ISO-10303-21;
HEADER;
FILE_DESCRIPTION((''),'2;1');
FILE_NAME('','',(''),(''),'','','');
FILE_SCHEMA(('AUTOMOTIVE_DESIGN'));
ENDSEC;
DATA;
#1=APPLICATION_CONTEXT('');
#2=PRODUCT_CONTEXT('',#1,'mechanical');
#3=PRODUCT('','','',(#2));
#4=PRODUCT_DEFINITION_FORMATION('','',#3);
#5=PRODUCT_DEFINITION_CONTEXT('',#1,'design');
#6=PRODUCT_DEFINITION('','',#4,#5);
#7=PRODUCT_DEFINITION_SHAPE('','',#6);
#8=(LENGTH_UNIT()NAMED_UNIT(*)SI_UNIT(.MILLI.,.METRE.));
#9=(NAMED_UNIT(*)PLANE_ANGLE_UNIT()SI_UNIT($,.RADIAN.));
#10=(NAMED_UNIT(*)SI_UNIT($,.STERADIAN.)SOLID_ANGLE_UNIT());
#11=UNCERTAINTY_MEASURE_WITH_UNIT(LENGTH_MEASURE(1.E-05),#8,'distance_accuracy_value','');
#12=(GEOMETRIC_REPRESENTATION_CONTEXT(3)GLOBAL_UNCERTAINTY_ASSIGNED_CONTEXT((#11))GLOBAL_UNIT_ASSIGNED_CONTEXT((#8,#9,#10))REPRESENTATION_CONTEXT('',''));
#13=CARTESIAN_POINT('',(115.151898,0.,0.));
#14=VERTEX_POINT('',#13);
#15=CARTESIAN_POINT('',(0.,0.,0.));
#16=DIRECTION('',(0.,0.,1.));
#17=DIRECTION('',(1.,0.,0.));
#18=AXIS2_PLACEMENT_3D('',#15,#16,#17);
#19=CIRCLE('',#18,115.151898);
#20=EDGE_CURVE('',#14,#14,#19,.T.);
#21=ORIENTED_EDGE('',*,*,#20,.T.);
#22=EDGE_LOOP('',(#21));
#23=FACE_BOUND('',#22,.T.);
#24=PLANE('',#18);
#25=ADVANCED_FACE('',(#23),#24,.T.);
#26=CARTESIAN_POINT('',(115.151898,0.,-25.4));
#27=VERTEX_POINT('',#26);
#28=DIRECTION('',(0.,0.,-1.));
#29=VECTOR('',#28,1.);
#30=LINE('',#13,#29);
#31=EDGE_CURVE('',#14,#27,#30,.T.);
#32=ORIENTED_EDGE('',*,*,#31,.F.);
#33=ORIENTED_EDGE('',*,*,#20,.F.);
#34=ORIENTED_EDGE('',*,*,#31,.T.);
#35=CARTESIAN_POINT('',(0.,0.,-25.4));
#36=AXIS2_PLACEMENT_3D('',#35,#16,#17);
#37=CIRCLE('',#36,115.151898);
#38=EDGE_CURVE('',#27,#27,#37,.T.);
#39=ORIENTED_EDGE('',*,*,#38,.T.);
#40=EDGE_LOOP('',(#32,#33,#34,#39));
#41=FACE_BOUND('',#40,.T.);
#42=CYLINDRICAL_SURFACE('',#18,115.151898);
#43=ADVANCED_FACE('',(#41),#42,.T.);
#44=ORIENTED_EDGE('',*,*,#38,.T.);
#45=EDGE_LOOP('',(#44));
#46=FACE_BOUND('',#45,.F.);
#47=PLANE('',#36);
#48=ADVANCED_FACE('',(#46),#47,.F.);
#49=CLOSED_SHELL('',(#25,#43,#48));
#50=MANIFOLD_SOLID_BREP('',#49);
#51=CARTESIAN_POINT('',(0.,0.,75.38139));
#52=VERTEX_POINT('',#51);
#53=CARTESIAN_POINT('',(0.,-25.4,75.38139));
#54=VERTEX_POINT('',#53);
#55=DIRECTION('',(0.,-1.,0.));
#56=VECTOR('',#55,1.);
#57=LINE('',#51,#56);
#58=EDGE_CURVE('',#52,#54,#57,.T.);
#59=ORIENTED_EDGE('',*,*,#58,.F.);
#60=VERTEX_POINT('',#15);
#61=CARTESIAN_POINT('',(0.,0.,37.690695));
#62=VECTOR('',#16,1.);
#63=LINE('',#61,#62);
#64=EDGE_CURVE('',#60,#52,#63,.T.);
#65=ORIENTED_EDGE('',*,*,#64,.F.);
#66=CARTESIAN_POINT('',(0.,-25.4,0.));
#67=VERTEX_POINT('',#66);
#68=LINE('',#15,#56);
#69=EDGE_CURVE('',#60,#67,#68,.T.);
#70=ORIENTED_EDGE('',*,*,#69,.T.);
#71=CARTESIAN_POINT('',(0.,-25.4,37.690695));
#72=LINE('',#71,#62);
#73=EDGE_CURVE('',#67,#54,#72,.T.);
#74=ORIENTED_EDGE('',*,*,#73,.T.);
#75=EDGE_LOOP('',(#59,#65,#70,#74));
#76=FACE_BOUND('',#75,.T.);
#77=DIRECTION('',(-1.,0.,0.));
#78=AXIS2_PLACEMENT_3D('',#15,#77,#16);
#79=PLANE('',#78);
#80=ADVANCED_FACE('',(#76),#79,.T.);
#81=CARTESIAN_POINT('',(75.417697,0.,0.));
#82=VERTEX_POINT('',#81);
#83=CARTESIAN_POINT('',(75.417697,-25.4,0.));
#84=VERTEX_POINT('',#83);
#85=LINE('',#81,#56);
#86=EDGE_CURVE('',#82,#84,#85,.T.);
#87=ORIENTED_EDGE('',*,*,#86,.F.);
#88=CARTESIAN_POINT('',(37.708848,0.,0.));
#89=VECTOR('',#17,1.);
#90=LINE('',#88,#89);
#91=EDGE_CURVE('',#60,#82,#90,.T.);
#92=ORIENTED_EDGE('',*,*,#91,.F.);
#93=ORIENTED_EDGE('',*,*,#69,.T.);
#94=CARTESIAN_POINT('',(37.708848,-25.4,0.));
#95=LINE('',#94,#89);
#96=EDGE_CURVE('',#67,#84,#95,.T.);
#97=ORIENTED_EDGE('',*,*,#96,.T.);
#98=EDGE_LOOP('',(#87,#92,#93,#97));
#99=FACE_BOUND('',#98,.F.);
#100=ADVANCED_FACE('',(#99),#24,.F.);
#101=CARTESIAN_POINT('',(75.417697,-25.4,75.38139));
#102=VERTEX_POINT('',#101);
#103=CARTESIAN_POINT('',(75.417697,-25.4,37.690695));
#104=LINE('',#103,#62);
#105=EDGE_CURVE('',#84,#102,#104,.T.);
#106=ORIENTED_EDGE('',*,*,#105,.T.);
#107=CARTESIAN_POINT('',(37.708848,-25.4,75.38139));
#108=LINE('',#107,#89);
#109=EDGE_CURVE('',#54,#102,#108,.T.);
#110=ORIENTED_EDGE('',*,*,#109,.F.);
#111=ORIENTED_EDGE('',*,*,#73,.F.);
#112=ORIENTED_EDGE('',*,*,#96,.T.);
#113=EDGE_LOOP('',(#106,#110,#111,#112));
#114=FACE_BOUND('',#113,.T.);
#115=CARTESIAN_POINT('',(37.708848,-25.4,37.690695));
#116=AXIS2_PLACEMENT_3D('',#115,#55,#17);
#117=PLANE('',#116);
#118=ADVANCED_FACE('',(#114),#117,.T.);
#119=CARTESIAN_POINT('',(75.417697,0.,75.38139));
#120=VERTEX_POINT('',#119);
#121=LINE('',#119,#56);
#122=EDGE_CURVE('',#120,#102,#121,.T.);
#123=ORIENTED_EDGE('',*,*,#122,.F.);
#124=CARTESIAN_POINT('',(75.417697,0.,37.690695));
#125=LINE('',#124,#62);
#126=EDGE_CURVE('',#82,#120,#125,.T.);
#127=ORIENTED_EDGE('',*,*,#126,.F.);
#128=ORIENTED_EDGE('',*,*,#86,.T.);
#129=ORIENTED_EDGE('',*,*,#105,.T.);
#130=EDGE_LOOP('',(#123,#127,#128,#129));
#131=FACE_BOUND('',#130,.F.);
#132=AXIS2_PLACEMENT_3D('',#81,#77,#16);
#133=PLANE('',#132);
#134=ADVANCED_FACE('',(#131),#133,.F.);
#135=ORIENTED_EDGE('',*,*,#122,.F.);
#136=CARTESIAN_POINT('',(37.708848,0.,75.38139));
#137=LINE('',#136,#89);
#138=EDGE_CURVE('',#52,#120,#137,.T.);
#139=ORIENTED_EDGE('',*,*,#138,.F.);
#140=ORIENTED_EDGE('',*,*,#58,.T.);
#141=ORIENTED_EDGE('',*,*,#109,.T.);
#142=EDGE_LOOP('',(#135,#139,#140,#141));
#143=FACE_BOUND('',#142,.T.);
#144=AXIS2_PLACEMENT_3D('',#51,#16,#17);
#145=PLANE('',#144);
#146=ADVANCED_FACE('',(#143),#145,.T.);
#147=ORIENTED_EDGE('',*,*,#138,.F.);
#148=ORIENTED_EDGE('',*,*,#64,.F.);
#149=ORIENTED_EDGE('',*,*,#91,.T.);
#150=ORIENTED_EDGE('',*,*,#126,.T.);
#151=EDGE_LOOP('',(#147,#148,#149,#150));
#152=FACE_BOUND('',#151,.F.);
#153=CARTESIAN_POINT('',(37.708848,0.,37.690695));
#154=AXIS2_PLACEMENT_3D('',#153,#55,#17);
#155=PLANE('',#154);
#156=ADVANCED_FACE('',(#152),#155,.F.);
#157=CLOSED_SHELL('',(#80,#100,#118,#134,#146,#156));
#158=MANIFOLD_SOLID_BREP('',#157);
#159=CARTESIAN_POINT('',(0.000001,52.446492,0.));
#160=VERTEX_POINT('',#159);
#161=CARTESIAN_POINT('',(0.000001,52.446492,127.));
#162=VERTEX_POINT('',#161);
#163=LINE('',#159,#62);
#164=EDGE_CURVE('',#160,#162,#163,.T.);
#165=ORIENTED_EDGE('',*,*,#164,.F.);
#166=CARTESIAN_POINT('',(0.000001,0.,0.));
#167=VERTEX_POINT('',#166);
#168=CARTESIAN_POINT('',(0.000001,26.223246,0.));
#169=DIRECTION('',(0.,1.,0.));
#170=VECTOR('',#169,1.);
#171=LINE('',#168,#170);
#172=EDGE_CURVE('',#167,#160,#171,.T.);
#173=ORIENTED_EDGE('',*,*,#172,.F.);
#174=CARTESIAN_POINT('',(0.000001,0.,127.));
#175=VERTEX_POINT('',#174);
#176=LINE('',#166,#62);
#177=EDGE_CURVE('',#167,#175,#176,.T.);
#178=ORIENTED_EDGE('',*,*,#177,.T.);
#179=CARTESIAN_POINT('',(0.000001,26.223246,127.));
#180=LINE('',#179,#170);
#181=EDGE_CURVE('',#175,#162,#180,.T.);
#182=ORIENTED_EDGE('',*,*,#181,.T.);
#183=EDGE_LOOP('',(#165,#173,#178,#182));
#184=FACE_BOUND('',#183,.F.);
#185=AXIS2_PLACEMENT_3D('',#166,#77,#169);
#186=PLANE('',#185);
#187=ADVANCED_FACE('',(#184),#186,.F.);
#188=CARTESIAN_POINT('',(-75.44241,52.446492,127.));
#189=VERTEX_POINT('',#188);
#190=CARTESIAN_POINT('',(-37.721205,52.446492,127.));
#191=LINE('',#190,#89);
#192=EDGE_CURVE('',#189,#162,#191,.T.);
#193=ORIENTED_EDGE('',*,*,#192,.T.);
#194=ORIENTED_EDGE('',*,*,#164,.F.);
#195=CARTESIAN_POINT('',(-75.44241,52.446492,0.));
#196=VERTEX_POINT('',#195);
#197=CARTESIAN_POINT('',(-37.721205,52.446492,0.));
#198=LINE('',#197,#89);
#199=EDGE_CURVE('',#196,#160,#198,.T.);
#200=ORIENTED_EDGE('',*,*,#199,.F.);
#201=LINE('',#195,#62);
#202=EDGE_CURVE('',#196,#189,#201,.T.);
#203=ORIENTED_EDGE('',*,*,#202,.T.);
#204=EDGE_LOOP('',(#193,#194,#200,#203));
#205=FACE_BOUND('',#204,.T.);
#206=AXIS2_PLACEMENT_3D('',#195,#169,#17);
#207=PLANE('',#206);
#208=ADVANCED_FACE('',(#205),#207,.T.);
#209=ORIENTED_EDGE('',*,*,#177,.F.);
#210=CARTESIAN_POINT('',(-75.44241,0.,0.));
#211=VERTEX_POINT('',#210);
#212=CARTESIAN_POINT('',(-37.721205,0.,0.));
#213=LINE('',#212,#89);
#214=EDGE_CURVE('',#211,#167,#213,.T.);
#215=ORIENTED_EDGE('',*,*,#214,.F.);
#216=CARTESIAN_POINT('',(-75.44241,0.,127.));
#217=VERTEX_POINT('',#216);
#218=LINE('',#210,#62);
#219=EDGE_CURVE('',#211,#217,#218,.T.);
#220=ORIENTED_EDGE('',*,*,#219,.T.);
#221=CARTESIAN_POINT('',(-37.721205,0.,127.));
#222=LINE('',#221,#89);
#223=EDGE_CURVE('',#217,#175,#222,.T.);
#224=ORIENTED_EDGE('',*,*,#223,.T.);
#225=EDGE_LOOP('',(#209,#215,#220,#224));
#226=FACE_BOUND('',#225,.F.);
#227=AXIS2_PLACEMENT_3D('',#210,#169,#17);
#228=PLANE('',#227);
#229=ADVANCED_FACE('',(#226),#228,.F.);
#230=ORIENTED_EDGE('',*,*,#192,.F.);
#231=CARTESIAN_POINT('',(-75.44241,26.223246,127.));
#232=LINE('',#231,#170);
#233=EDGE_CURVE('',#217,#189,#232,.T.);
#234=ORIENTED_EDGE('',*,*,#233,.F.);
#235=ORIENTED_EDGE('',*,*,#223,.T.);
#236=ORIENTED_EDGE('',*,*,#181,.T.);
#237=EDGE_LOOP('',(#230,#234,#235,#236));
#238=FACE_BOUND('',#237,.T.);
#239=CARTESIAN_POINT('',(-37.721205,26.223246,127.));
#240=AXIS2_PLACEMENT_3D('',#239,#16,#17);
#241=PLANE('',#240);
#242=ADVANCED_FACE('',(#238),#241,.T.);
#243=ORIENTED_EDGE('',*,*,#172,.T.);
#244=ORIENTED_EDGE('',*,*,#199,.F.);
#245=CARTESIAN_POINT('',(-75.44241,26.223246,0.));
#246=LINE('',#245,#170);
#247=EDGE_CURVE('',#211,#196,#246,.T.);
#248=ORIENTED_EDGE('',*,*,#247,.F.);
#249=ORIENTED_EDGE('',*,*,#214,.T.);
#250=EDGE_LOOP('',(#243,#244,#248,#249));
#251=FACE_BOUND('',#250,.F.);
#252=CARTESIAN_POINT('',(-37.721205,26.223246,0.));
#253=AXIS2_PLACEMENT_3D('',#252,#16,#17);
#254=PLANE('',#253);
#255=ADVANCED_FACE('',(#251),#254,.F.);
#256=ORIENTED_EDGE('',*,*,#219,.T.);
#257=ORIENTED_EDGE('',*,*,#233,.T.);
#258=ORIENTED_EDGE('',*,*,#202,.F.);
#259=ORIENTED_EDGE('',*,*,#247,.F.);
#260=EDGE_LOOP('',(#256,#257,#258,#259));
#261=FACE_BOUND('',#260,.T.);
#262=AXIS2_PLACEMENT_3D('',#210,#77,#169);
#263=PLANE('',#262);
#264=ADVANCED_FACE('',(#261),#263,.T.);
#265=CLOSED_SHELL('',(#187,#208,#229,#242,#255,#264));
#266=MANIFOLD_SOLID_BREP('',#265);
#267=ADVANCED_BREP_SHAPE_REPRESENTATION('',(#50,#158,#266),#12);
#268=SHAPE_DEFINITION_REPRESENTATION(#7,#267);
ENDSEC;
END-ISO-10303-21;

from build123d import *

# Parameters (mm, degrees)
F0_W     = 75.417697
F0_H     = 75.381391
F1_DEPTH = 25.4
F2_W     = 75.442411
F2_H     = 52.446492
F3_DEPTH = 127
F4_R     = 115.151898
F5_DEPTH = 25.4


with BuildPart() as f1:
    # F0 (on Front) → F1 (new body)
    with BuildSketch(Plane.XZ):
        with Locations((37.708848, 37.690695)):
            Rectangle(F0_W, F0_H)
    extrude(amount=F1_DEPTH)


with BuildPart() as f3:
    # F2 (on Top) → F3 (new body)
    with BuildSketch(Plane.XY):
        with Locations((-37.721205, 26.223246)):
            Rectangle(F2_W, F2_H)
    extrude(amount=F3_DEPTH)


with BuildPart() as f5:
    # F4 (on Top) → F5 (new body)
    with BuildSketch(Plane.XY):
        Circle(F4_R)
    extrude(amount=-F5_DEPTH)


solid = Compound([f1.part, f3.part, f5.part])
